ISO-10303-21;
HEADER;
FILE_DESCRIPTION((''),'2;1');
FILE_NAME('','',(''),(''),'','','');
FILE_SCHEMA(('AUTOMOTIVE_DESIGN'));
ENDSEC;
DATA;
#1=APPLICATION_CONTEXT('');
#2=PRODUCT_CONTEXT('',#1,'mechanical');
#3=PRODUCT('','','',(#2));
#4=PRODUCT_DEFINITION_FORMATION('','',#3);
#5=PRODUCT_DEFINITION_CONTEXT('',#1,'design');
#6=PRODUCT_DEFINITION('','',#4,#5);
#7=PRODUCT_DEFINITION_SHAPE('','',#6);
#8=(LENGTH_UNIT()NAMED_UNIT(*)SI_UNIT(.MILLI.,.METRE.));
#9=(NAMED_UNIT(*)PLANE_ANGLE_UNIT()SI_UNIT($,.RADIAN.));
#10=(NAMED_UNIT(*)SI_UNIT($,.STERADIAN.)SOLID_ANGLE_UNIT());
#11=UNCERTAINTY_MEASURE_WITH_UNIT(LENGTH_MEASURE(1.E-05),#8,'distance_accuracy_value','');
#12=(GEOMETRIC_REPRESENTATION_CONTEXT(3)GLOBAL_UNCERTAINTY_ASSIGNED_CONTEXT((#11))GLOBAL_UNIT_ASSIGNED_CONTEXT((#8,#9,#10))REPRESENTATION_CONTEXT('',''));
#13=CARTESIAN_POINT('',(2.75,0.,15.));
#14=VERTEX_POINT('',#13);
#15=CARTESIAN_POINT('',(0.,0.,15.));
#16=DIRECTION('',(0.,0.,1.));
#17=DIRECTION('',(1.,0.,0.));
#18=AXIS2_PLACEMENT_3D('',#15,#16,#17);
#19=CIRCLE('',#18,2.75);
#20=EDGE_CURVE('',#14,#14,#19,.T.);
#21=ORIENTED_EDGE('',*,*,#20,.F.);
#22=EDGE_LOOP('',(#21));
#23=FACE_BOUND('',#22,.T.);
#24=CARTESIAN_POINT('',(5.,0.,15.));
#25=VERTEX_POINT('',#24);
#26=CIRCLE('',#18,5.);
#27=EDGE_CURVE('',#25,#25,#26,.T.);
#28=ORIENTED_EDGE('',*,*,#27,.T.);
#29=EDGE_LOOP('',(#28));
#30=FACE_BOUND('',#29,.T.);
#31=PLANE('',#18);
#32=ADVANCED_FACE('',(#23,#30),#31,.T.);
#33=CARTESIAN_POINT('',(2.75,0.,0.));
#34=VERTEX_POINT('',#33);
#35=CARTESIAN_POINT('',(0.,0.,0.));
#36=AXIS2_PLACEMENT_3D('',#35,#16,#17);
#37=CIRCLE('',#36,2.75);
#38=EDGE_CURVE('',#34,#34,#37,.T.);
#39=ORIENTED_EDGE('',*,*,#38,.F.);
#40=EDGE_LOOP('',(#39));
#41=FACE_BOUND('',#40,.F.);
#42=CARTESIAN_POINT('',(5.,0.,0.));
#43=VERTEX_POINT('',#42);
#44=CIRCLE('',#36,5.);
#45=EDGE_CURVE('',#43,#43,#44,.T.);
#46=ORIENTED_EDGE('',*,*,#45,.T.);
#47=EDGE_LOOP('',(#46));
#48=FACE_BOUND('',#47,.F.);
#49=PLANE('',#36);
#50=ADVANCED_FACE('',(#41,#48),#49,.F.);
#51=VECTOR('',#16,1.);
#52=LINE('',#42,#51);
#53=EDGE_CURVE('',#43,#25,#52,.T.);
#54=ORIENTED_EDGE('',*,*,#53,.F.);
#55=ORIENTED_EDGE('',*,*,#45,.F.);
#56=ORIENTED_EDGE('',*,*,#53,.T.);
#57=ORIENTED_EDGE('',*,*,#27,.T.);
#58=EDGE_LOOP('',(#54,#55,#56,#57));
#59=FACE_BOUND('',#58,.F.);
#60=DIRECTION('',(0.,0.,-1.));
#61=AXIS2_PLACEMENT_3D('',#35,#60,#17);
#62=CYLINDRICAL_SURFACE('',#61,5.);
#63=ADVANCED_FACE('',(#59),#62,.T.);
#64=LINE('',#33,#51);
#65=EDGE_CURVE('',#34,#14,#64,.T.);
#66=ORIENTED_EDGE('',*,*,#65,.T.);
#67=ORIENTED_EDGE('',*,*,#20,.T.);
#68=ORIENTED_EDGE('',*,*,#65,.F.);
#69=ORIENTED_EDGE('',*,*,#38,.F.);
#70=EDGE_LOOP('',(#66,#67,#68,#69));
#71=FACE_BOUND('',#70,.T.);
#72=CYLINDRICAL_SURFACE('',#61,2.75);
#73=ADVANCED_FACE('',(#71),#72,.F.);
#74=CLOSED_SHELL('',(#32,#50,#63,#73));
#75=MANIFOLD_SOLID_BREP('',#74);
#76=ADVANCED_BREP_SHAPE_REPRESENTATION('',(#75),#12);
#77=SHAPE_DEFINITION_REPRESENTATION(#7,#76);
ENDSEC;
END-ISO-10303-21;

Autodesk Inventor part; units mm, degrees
ref_plane "YZ Plane" through (0, 0, 0) normal (1, 0, 0) x (0, 1, 0)
ref_plane "XZ Plane" through (0, 0, 0) normal (0, 1, 0) x (-1, 0, 0)
ref_plane "XY Plane" through (0, 0, 0) normal (0, 0, 1) x (1, 0, 0)
sketch "Sketch1" plane through (0, 0, 0) normal (0, 0, 1) x (1, 0, 0)
  circle A0 centre (0, 0) radius 5
  circle A1 centre (0, 0) radius 2.75
  dimension "d0" = 5.5
  dimension "d1" = 10
extrude "Extrusion1" add sketch "Sketch1" along normal blind 15
properties part number "contact_axis_outer"
